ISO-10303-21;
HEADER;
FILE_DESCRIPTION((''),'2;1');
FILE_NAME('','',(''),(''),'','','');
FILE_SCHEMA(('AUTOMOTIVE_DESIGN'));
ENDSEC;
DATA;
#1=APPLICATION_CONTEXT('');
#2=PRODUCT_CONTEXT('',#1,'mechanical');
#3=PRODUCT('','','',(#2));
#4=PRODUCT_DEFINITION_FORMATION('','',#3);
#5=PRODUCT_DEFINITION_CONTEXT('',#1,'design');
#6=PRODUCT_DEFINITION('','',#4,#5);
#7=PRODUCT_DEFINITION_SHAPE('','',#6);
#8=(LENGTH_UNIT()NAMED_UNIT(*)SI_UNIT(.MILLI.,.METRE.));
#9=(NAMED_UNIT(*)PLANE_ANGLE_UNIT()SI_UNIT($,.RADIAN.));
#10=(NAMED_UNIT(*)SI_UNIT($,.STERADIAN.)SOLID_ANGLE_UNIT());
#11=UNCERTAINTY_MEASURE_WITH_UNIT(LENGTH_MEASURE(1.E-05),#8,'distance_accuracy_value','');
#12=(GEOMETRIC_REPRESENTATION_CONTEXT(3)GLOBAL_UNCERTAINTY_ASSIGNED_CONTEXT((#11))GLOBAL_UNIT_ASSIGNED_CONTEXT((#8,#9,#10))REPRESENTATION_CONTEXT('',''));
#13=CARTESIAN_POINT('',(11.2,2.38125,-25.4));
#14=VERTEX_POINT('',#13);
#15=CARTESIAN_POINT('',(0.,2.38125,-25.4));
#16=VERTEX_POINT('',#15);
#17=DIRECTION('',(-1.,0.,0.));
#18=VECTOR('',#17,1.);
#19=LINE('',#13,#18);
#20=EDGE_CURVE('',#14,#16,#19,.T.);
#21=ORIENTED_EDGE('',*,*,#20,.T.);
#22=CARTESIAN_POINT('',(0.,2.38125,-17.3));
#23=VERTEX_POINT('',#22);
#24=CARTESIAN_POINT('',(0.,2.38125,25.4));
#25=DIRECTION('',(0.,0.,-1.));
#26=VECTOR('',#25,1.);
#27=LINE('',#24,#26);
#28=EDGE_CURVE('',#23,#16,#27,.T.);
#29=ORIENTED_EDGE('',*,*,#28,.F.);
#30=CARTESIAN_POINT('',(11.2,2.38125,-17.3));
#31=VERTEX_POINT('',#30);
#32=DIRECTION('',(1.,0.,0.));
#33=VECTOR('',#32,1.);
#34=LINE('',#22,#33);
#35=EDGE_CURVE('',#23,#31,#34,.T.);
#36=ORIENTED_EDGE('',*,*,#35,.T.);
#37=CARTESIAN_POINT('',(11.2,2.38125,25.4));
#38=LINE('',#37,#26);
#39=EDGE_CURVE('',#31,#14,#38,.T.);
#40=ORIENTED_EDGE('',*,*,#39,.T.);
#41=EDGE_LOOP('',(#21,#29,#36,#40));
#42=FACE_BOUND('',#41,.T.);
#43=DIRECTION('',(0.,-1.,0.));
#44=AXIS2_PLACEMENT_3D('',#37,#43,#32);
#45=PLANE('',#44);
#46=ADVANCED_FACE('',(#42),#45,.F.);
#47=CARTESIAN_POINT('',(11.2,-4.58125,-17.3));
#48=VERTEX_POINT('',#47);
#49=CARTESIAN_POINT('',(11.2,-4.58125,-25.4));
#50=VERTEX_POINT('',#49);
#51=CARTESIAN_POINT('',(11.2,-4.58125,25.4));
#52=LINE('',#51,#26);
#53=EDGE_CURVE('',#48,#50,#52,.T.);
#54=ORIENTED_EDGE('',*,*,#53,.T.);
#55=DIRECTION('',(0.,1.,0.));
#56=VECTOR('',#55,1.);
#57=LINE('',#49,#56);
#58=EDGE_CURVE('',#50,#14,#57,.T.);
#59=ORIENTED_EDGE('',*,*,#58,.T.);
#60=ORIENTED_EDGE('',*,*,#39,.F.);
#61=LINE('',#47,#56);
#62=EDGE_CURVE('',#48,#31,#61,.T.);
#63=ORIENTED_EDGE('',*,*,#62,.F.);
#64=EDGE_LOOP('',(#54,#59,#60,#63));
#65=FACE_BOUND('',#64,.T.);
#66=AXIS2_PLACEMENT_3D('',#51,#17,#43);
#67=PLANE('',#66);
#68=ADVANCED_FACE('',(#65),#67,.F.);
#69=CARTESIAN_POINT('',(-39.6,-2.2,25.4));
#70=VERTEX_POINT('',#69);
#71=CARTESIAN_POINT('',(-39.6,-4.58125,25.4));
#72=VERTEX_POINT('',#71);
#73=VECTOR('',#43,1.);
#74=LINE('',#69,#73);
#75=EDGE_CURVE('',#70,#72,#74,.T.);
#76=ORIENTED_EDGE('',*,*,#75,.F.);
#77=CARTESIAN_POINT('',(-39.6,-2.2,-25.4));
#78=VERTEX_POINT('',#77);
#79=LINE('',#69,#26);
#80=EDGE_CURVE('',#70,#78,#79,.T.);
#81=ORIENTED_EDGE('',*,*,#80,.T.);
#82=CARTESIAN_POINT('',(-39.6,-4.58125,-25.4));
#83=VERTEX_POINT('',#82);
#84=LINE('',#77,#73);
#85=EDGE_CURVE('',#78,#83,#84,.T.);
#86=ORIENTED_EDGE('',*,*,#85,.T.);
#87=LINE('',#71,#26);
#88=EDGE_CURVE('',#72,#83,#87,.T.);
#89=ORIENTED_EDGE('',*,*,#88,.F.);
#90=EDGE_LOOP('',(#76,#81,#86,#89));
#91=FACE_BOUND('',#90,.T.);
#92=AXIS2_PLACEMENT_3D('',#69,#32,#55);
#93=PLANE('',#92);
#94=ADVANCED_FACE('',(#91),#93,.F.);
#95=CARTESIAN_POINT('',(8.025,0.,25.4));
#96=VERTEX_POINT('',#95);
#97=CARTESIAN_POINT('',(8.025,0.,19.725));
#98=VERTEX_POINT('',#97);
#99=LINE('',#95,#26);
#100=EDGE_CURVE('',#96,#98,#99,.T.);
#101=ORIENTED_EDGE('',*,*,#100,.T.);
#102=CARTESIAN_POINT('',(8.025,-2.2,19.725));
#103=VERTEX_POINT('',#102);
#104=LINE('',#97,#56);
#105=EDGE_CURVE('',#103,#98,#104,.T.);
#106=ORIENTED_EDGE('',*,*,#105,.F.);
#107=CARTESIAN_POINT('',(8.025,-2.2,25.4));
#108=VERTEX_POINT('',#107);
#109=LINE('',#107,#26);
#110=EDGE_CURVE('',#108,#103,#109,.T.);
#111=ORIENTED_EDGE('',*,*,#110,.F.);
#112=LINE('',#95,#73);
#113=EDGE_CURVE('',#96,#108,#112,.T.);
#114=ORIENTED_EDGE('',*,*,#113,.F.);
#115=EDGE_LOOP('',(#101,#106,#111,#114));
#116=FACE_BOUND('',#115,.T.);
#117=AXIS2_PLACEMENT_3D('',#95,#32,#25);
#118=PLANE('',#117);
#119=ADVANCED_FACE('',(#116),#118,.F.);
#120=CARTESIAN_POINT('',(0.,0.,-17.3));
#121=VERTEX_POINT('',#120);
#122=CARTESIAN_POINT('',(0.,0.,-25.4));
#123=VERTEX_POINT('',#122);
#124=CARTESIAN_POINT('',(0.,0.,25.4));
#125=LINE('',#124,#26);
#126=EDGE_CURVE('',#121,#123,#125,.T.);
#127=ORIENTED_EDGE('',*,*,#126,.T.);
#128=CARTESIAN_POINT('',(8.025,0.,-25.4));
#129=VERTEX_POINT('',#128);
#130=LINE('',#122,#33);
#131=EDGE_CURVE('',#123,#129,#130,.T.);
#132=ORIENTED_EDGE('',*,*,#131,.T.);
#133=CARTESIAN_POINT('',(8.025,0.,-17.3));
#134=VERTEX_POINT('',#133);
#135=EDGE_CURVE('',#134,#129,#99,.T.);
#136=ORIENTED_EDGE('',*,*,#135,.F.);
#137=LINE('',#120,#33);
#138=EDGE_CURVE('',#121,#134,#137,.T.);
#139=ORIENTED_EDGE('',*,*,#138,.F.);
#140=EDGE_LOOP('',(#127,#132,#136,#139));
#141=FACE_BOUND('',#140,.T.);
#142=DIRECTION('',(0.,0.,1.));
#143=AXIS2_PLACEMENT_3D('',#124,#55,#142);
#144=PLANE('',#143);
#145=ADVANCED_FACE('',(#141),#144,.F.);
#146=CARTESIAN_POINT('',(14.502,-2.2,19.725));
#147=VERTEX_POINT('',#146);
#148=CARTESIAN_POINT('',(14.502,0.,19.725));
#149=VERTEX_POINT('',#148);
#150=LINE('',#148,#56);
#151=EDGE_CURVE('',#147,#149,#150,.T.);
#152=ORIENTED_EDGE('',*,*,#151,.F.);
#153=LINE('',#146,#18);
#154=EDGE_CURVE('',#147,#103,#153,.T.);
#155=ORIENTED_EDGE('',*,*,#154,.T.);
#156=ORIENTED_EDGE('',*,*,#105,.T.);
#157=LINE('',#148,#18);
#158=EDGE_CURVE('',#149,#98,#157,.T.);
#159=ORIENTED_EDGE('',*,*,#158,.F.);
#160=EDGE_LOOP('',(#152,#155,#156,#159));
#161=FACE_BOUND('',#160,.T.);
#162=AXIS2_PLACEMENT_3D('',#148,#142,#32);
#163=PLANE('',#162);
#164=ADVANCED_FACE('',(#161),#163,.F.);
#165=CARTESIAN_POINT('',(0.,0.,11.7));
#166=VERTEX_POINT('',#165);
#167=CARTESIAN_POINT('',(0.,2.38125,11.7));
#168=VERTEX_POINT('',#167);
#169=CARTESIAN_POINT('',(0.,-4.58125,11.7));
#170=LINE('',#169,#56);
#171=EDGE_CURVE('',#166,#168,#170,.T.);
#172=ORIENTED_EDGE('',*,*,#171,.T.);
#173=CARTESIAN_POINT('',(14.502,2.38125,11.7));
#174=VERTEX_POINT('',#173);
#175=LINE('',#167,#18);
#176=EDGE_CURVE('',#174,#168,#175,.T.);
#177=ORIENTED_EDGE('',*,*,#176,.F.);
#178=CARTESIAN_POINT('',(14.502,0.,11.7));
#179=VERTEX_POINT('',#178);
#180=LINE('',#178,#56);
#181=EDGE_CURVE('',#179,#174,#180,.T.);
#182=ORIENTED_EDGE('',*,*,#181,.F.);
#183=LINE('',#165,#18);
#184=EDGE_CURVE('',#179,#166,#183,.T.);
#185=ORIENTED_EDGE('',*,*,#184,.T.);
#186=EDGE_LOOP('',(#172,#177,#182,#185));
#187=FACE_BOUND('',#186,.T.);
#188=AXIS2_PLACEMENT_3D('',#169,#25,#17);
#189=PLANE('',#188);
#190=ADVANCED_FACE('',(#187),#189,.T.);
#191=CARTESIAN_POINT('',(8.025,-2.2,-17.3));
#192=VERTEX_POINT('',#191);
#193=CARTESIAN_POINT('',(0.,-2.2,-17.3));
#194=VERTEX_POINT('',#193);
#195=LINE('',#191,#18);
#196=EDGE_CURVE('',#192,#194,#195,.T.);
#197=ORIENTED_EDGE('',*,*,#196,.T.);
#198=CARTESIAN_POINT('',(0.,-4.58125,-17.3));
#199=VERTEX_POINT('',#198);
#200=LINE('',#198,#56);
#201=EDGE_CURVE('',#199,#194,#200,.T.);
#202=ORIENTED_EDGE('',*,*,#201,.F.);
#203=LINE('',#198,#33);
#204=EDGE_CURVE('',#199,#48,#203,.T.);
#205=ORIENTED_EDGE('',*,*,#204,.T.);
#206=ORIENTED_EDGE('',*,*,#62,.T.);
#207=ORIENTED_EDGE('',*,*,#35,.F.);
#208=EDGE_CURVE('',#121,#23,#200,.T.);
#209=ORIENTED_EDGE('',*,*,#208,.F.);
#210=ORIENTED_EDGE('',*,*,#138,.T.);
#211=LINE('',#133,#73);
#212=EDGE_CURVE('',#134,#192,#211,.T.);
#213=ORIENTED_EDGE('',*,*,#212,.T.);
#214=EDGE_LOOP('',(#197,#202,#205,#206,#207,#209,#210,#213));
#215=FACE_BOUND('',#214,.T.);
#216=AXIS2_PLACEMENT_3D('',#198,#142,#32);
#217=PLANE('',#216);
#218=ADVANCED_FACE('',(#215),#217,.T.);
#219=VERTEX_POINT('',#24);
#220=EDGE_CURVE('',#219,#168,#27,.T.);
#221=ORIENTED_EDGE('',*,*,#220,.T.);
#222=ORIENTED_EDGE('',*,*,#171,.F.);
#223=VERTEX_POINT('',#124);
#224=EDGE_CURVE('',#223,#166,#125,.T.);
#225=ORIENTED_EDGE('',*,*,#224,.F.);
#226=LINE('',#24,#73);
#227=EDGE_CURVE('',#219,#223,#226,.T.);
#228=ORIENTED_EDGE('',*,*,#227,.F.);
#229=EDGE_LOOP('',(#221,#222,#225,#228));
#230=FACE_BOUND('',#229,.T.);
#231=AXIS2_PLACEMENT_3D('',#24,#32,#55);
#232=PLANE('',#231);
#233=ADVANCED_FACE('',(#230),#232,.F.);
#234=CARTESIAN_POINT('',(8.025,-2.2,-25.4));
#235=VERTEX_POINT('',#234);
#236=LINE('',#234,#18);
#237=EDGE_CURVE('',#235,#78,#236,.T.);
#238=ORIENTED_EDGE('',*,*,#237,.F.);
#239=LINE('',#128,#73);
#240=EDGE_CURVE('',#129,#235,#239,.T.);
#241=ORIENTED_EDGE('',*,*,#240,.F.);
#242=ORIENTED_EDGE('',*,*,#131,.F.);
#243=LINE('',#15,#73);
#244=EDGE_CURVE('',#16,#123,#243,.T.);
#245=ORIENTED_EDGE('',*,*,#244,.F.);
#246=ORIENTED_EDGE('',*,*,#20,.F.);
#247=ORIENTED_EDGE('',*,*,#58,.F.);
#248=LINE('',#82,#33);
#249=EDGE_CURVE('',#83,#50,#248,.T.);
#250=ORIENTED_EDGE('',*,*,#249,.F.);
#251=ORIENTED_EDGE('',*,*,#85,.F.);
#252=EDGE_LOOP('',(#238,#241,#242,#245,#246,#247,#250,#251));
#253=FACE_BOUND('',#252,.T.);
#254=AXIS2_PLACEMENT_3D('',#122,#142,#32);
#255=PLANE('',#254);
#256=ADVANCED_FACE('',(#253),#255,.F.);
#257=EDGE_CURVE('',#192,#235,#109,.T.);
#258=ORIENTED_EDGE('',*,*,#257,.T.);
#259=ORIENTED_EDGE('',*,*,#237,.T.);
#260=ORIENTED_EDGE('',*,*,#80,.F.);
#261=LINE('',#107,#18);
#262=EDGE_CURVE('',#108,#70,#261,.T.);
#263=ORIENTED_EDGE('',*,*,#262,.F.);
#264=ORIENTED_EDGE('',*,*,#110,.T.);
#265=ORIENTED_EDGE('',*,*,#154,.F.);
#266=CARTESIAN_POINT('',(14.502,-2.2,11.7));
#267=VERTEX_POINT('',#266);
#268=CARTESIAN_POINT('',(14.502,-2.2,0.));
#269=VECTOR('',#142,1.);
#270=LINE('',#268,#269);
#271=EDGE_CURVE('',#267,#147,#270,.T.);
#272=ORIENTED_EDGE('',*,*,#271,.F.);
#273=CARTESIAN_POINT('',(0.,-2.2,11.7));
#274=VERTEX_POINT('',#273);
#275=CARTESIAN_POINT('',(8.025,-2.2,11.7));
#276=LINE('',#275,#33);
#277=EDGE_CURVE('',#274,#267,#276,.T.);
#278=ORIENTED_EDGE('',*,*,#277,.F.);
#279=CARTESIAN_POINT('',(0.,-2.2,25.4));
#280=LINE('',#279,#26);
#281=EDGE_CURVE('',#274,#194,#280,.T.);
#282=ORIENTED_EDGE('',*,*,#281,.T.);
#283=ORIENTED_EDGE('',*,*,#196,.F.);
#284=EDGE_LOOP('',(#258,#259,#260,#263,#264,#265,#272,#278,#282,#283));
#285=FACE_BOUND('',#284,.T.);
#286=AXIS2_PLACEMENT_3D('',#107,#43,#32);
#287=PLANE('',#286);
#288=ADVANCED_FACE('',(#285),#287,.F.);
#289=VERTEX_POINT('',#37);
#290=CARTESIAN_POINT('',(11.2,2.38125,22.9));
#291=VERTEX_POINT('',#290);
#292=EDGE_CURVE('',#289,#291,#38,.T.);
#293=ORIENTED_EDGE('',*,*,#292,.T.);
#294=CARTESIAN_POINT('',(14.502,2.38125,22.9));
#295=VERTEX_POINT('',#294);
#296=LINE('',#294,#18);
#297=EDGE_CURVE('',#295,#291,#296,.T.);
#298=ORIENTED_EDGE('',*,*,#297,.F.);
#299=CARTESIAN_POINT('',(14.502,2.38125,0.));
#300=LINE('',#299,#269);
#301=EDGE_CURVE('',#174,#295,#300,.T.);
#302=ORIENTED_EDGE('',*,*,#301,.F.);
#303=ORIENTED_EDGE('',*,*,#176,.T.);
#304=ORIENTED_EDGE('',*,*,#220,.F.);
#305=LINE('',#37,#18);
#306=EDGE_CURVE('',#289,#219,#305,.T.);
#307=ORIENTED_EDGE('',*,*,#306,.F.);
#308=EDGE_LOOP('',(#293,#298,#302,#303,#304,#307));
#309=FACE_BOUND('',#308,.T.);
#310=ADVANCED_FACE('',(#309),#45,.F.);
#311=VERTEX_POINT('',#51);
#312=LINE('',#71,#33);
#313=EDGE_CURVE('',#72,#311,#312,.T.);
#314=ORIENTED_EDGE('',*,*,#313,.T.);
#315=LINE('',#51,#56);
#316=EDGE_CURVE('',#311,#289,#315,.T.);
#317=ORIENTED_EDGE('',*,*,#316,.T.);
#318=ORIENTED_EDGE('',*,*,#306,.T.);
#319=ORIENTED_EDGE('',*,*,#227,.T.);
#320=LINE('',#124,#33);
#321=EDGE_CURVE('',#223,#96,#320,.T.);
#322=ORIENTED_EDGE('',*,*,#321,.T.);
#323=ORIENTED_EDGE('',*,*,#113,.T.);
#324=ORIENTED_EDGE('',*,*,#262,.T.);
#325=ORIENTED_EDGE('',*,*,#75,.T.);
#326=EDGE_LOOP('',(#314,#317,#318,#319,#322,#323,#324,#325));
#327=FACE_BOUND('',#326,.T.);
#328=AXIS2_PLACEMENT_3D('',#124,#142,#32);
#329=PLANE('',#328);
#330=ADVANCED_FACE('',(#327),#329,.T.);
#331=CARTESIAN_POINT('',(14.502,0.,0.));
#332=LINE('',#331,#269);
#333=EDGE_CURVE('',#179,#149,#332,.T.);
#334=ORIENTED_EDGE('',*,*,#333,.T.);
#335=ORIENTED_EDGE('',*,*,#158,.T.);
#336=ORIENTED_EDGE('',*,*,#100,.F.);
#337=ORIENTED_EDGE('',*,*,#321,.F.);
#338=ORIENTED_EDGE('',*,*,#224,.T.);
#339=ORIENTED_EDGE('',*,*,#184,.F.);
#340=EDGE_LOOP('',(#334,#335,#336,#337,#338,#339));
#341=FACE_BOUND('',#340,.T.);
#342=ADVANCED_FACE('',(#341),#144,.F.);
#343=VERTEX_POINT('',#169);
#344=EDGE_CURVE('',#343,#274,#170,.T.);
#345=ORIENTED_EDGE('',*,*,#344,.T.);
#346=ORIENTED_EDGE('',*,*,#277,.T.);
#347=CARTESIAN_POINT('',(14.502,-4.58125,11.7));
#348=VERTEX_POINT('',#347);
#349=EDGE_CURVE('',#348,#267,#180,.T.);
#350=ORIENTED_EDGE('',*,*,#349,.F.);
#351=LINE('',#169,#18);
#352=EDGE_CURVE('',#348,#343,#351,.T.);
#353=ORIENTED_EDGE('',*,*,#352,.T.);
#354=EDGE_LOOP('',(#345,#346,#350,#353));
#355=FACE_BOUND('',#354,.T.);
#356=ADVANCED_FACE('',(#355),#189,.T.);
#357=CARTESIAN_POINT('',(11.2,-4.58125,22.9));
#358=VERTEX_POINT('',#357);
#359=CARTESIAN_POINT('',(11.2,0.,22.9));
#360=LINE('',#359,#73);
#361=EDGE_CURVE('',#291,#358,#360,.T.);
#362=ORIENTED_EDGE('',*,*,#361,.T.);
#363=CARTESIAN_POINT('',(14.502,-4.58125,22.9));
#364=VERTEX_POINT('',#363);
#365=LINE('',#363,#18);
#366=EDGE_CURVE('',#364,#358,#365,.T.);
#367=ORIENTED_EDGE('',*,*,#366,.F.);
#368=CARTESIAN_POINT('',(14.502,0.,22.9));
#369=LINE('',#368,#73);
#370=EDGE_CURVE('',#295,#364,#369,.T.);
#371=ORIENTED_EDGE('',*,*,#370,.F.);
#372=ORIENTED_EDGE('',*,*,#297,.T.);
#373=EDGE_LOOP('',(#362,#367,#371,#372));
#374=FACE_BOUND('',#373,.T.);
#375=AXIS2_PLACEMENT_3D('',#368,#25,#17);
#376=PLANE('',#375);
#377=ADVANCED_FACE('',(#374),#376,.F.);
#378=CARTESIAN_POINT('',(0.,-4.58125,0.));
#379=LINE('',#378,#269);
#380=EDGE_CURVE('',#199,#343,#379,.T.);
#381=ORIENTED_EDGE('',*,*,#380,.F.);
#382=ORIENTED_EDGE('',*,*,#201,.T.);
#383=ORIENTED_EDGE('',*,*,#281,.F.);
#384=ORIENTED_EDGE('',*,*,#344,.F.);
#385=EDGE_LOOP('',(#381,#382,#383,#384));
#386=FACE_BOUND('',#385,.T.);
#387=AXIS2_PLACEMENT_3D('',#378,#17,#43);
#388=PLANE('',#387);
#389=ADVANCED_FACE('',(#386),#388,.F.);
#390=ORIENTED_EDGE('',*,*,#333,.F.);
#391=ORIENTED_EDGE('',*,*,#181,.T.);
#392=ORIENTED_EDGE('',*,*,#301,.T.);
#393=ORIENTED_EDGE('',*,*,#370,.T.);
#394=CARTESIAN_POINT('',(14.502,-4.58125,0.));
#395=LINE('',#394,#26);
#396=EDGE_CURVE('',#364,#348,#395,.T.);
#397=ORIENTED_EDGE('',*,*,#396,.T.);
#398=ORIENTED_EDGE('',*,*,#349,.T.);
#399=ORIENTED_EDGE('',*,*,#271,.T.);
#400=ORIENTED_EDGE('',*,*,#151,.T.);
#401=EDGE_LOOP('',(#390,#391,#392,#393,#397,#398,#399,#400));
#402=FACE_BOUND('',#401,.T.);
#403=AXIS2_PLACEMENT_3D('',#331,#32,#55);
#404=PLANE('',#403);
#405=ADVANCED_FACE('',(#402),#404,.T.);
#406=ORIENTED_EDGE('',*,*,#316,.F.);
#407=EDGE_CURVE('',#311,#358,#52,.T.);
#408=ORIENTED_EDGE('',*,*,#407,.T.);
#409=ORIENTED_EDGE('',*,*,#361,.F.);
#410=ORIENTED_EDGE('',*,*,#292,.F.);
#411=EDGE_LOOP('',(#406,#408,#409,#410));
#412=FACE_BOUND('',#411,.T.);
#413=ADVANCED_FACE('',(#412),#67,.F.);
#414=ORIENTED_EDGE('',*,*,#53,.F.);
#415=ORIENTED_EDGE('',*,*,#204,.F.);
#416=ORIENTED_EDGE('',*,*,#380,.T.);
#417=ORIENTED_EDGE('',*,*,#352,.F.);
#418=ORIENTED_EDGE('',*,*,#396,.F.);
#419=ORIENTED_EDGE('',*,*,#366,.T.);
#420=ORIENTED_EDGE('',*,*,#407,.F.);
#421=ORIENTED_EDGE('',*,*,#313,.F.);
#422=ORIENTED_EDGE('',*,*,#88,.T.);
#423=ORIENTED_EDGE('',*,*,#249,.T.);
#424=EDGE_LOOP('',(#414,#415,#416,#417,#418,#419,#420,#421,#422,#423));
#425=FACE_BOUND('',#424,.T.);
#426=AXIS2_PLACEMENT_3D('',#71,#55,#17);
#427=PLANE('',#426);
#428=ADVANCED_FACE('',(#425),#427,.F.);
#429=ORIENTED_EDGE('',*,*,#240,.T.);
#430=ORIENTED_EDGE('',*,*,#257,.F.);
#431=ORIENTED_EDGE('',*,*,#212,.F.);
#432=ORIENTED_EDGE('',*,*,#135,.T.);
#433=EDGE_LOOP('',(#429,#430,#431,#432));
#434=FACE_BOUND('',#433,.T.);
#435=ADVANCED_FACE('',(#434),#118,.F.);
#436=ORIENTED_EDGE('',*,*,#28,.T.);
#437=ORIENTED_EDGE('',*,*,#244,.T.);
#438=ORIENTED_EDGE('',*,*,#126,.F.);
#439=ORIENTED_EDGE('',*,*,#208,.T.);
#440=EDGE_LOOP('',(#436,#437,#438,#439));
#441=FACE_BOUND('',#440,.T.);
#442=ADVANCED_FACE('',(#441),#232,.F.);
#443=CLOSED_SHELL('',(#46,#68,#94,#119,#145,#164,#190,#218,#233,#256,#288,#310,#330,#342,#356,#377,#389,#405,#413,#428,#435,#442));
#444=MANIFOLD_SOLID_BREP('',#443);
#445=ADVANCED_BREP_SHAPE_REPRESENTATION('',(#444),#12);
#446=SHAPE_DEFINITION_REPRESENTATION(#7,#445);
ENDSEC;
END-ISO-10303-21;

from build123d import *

# Parameters (mm, degrees)
BOSS_EXTRUDE1_DEPTH = 25.4
SKETCH2_W           = 11.199999952
SKETCH2_H           = 23.399999936
SKETCH2_H_2         = 5.599999976
CUT_EXTRUDE1_DEPTH  = 48.558347416
BOSS_EXTRUDE2_DEPTH = 3.302
SKETCH4_W           = 3.175
SKETCH4_H           = 2.199999918
CUT_EXTRUDE2_DEPTH  = 8.024999952


with BuildPart() as part:
    # Sketch1 → Boss-Extrude1 (new, symmetric)
    with BuildSketch(Plane.XY):
        Polygon((0, 0), (8.024999952, 0), (8.024999952, -2.199999918), (-39.600000048, -2.199999918), (-39.600000048, -4.581249918), (11.199999952, -4.581249918), (11.199999952, 2.38125), (0, 2.38125), align=None)
    extrude(amount=BOSS_EXTRUDE1_DEPTH, both=True)

    # Sketch2 → Cut-Extrude1 (cut, through all)
    with BuildSketch(Plane(origin=(0, 2.38125, 0), x_dir=(1, 0, 0), z_dir=(0, 1, 0))):
        with Locations((5.599999976, 0)):
            Rectangle(SKETCH2_W, SKETCH2_H)
        with Locations((5.599999976, 14.499999956)):
            Rectangle(SKETCH2_W, SKETCH2_H_2)
    extrude(amount=-CUT_EXTRUDE1_DEPTH, mode=Mode.SUBTRACT)

    # Sketch3 → Boss-Extrude2 (add)
    with BuildSketch(Plane.ZY.offset(-11.199999952)):
        Polygon((22.89999992, 0), (19.72499992, 0), (19.72499992, -2.199999918), (11.699999968, -2.199999918), (11.699999968, -4.581249918), (22.89999992, -4.581249918), align=None)
        Polygon((11.699999968, 2.38125), (11.699999968, 0), (19.72499992, 0), (22.89999992, 0), (22.89999992, 2.38125), align=None)
    extrude(amount=-BOSS_EXTRUDE2_DEPTH)

    # Sketch4 → Cut-Extrude2 (cut)
    with BuildSketch(Plane(origin=(0, 0, 11.699999968), x_dir=(-1, 0, 0), z_dir=(0, 0, -1))):
        with Locations((-9.612499952, -1.099999959)):
            Rectangle(SKETCH4_W, SKETCH4_H)
    extrude(amount=-CUT_EXTRUDE2_DEPTH, mode=Mode.SUBTRACT)


solid = part.part
